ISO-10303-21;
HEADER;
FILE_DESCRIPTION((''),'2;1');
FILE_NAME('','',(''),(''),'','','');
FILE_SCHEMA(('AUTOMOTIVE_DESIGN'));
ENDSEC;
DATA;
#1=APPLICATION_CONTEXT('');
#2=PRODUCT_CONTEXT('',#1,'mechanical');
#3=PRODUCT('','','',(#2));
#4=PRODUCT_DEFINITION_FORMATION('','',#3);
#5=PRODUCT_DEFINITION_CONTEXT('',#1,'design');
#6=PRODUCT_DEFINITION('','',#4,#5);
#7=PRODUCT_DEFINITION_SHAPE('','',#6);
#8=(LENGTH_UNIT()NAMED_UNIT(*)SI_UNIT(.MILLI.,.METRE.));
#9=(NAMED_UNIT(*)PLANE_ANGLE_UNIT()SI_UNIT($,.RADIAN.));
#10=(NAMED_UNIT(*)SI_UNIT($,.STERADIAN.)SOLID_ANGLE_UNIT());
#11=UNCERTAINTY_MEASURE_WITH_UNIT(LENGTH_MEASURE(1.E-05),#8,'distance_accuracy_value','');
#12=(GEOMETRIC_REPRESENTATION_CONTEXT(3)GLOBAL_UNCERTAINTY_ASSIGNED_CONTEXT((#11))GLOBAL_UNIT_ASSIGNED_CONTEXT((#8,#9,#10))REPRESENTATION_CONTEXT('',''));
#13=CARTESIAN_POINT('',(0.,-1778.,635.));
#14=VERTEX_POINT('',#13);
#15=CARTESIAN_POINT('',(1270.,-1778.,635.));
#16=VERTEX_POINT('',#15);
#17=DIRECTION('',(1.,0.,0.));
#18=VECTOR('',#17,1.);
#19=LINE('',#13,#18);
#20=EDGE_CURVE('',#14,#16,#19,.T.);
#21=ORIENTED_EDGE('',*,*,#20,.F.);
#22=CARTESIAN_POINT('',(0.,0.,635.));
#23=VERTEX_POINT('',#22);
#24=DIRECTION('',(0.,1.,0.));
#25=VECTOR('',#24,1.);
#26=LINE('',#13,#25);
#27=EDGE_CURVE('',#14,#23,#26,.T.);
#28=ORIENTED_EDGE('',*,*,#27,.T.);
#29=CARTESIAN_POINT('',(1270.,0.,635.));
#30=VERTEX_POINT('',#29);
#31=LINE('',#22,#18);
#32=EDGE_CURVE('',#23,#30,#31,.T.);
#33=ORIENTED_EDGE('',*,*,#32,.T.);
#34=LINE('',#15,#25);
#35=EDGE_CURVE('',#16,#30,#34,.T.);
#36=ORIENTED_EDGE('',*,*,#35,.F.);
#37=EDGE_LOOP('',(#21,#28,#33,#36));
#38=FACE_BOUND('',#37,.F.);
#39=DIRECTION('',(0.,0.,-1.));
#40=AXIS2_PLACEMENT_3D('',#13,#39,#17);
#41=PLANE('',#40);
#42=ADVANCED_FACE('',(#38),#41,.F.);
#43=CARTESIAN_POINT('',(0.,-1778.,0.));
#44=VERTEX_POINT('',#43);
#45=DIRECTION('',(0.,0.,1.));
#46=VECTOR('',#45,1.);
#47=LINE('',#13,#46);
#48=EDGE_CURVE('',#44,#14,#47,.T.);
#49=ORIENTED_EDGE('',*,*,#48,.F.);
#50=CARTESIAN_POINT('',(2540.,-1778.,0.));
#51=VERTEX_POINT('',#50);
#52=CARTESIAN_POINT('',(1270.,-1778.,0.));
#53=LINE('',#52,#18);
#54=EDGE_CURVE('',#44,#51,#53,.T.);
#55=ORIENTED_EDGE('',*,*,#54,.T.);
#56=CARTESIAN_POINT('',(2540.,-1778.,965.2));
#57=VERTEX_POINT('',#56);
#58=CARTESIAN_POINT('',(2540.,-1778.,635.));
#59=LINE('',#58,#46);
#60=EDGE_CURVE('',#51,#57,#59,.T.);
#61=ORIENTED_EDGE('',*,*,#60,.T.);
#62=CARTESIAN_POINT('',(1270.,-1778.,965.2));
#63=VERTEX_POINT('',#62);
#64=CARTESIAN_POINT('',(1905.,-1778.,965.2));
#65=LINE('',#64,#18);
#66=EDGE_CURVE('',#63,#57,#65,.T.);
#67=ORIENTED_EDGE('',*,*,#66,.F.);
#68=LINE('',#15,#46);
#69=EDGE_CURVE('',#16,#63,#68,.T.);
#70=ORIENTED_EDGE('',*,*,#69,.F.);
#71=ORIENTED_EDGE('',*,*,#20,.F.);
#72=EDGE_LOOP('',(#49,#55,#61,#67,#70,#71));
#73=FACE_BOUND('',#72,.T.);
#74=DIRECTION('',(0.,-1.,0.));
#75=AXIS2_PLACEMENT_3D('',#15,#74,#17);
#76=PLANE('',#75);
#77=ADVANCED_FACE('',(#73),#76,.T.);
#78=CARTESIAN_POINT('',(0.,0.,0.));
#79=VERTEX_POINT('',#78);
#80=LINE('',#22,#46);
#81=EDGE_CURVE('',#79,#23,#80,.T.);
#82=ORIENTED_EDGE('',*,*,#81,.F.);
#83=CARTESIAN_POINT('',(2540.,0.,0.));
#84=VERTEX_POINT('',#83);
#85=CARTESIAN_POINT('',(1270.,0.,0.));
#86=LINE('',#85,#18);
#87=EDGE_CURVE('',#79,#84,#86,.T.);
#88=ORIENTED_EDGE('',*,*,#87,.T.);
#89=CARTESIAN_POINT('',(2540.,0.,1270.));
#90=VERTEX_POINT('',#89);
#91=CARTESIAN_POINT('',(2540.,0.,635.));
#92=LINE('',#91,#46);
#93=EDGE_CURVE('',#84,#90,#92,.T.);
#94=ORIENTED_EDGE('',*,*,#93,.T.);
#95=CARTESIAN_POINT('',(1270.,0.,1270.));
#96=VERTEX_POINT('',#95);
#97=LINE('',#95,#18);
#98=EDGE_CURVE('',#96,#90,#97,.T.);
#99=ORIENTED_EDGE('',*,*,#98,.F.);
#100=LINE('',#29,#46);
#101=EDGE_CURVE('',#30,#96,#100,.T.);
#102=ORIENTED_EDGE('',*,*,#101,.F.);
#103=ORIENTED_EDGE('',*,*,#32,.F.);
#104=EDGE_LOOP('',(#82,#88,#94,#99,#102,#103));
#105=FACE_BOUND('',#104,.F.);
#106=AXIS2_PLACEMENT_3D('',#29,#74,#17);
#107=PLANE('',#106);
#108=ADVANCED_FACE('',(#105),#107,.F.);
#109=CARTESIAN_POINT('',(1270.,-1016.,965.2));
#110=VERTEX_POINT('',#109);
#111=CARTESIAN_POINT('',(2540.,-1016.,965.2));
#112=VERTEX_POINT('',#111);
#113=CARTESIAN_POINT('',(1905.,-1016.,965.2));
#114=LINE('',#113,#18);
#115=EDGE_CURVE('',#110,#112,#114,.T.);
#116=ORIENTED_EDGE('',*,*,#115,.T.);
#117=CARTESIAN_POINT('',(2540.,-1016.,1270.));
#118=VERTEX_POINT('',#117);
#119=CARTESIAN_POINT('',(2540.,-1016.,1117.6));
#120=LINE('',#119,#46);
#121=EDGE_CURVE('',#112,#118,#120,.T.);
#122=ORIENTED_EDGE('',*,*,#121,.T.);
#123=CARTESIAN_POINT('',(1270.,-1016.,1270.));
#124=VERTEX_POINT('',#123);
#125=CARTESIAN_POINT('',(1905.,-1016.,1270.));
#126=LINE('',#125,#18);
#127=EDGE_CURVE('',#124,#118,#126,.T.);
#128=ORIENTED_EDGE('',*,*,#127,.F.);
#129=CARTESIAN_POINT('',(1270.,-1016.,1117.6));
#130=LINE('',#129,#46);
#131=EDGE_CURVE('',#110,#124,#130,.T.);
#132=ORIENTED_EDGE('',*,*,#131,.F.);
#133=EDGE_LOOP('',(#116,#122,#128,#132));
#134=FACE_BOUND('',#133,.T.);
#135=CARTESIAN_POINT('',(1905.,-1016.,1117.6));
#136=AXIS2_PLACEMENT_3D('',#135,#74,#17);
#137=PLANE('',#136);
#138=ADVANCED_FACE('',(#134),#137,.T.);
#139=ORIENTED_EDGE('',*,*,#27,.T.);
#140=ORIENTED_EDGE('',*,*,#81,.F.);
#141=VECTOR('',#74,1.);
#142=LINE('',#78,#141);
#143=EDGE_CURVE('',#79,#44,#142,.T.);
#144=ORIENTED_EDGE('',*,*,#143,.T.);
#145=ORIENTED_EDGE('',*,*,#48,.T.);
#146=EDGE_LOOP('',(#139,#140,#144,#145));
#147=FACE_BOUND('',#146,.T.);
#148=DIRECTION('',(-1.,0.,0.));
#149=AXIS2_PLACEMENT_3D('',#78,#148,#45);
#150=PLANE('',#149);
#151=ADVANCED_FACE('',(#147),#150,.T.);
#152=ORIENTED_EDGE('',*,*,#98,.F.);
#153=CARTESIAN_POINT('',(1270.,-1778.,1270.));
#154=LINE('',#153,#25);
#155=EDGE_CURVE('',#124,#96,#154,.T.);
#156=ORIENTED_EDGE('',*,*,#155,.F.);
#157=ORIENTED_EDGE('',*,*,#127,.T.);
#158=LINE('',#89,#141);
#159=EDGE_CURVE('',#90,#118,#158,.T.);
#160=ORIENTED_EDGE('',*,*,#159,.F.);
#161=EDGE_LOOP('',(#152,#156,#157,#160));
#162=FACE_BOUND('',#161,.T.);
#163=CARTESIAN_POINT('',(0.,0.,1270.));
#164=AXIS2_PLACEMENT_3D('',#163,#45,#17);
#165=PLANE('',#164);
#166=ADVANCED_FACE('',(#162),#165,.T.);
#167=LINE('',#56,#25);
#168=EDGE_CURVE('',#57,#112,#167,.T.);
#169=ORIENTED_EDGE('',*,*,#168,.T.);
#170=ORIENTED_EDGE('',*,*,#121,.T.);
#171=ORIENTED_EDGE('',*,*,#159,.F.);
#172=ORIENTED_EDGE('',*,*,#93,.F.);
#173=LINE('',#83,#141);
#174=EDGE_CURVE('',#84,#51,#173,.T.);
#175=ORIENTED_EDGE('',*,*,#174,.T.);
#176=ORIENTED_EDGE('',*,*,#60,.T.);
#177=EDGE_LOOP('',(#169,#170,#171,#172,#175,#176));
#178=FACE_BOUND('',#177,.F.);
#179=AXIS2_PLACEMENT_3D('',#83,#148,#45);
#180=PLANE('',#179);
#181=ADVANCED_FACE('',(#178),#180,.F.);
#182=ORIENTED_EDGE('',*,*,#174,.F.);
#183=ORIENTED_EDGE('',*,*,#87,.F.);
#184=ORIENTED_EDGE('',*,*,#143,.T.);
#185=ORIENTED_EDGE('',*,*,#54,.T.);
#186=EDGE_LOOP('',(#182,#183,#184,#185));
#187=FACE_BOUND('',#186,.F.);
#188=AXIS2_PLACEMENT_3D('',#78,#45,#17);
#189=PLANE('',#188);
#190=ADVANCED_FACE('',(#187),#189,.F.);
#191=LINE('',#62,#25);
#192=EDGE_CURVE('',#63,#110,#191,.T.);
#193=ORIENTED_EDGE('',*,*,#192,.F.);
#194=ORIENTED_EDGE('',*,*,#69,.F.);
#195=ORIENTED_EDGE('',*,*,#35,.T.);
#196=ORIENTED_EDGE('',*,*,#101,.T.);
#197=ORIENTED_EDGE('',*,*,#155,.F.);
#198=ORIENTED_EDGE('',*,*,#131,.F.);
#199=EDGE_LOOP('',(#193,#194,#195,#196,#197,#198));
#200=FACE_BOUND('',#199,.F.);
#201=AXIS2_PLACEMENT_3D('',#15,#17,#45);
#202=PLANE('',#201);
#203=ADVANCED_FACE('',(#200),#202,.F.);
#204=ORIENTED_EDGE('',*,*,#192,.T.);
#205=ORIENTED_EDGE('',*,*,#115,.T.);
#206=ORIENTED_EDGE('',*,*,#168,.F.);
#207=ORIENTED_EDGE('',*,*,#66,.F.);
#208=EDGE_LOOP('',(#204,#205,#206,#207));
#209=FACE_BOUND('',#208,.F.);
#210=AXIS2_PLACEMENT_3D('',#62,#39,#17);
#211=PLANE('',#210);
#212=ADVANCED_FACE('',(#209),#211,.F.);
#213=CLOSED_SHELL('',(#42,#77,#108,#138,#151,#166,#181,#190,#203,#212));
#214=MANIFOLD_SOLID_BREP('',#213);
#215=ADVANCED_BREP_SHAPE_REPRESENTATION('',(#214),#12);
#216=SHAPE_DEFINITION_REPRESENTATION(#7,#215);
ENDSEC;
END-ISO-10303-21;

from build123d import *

# Parameters (mm, degrees)
F0_W     = 2540
F0_H     = 1270
F1_DEPTH = 1778
F2_W     = 1270
F2_H     = 304.8
F3_DEPTH = 762
F5_DEPTH = 1778


with BuildPart() as f1:
    # F0 (on Front) → F1 (new body)
    with BuildSketch(Plane.XZ):
        with Locations((1270, 635)):
            Rectangle(F0_W, F0_H)
    extrude(amount=F1_DEPTH)

    # F2 (on face) → F3 (cut)
    with BuildSketch(Plane.XZ.offset(1778)):
        with Locations((1905, 1117.6)):
            Rectangle(F2_W, F2_H)
    extrude(amount=-F3_DEPTH, mode=Mode.SUBTRACT)

    # F4 (on face) → F5 (cut)
    with BuildSketch(Plane.XZ.offset(1778)):
        Polygon((1270, 635), (1270, 965.2), (1270, 1270), (0, 1270), (0, 635), align=None)
    extrude(amount=-F5_DEPTH, mode=Mode.SUBTRACT)


solid = f1.part
